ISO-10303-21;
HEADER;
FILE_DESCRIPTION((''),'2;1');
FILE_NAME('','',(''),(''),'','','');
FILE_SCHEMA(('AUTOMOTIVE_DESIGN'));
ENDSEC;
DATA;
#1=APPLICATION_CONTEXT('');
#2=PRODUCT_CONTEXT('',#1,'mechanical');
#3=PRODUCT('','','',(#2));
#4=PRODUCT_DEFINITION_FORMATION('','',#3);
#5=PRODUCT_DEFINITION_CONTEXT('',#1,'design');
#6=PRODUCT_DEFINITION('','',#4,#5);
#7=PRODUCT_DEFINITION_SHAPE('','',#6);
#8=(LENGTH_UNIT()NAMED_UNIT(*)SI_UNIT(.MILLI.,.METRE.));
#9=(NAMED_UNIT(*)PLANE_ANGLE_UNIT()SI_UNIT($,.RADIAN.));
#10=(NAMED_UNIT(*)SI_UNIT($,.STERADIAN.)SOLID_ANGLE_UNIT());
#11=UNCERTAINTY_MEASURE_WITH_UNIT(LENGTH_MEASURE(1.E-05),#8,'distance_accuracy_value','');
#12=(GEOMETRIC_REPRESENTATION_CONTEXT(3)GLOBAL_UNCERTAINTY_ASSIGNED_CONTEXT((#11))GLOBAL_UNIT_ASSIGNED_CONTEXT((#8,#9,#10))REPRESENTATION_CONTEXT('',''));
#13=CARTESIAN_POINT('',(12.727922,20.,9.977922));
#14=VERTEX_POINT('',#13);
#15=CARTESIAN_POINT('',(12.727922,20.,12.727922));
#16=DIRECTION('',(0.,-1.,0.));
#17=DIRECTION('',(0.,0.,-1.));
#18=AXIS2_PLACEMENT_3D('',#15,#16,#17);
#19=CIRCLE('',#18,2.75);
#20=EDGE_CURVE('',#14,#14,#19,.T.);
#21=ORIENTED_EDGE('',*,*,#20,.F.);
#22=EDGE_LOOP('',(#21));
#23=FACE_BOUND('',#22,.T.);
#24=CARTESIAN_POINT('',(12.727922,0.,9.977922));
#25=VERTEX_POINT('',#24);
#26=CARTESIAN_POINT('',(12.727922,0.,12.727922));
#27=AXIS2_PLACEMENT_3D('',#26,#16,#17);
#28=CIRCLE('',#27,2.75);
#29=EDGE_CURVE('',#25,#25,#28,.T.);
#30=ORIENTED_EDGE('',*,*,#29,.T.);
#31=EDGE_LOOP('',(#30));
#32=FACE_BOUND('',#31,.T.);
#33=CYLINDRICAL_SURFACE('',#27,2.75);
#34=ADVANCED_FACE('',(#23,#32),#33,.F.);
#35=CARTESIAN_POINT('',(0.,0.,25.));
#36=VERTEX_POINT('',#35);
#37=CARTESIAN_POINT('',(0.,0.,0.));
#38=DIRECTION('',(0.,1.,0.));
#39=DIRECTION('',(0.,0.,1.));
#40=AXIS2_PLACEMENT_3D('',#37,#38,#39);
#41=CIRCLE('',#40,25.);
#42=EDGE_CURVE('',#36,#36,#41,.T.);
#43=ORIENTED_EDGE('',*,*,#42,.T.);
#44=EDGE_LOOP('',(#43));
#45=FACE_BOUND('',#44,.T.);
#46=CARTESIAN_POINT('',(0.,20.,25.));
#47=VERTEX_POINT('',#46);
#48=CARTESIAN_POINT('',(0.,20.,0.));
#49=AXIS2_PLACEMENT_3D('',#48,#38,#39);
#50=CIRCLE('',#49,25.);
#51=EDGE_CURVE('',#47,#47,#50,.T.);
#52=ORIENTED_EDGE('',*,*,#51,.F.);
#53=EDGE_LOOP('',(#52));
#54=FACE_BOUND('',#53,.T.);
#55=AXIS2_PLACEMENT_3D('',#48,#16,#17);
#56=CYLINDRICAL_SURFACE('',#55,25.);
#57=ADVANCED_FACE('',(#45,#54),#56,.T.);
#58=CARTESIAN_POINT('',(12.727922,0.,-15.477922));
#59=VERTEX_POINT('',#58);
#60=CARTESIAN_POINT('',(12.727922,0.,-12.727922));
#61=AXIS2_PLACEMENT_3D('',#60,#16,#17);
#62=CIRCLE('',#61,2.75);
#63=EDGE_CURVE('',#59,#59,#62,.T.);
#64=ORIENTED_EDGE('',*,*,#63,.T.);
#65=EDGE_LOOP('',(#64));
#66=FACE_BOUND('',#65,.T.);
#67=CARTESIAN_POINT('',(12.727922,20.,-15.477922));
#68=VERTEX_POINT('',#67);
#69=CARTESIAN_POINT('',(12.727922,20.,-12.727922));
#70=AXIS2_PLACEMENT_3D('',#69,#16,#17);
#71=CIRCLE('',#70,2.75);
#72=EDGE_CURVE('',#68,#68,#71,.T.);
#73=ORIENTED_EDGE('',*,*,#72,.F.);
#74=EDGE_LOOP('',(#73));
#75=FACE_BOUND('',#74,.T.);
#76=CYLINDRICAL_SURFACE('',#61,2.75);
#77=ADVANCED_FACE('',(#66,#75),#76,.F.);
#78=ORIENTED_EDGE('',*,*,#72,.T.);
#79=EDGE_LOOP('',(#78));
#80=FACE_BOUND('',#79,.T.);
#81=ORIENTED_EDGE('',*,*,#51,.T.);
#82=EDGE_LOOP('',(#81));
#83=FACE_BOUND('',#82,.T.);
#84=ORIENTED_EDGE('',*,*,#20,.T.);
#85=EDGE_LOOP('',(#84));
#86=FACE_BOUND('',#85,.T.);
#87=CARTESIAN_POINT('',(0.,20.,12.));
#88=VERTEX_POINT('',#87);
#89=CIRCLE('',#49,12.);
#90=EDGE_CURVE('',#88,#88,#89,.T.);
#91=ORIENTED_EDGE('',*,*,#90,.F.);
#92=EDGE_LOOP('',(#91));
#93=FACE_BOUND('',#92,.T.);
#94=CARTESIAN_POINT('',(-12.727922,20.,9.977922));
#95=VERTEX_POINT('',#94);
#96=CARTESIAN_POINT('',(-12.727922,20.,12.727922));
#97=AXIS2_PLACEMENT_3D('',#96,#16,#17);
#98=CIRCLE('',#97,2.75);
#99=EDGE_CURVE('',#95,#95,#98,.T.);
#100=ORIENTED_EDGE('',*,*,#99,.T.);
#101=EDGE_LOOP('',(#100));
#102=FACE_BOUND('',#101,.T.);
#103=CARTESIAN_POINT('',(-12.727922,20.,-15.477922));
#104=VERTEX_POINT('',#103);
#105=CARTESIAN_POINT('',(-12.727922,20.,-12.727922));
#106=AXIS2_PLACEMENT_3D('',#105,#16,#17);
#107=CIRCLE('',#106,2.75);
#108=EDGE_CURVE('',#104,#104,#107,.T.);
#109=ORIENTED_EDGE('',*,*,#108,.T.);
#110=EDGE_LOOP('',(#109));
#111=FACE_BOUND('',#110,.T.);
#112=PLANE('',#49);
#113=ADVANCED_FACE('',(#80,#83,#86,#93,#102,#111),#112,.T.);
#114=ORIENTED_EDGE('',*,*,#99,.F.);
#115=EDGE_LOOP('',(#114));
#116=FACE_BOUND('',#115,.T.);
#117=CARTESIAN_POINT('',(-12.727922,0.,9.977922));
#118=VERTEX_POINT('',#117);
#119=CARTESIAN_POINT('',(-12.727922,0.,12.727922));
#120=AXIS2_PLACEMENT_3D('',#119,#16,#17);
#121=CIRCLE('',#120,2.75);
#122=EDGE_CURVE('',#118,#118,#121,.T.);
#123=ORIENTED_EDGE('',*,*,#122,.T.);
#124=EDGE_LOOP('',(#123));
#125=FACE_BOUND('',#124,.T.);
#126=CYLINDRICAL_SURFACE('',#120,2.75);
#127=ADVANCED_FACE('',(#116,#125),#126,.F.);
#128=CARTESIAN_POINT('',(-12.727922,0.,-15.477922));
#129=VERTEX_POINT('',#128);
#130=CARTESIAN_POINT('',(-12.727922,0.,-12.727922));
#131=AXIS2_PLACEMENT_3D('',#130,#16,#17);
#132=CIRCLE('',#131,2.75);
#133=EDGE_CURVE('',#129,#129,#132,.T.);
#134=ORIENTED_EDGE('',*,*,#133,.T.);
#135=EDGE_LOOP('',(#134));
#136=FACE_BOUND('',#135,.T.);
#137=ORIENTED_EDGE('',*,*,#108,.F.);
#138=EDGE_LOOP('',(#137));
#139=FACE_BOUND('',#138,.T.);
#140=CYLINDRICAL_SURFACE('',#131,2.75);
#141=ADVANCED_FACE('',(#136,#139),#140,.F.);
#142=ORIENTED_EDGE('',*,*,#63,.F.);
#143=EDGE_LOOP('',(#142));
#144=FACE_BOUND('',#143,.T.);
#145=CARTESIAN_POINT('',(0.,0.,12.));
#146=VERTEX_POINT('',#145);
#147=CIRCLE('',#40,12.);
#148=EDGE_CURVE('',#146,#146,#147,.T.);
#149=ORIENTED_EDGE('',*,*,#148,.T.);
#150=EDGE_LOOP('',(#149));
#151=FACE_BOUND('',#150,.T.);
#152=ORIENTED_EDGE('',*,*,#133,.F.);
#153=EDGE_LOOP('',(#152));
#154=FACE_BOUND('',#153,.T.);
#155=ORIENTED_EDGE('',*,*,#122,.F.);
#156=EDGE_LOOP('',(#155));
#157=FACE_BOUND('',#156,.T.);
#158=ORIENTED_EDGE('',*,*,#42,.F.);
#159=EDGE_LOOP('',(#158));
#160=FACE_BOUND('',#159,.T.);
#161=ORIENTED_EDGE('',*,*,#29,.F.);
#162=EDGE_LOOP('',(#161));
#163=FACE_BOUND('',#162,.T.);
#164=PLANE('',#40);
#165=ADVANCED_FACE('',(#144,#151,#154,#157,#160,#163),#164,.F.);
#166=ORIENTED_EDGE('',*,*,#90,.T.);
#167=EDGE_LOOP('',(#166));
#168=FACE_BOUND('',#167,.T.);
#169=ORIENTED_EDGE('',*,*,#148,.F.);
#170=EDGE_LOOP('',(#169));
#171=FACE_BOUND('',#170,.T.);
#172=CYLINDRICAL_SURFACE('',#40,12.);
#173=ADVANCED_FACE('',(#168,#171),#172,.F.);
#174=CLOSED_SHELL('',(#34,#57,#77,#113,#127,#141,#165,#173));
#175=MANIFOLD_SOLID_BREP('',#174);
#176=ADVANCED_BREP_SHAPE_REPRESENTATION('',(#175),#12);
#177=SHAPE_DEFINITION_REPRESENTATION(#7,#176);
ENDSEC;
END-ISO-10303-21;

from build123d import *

# Parameters (mm, degrees)
SKETCH_1_R          = 25
EXTRUDE_1_DEPTH     = 20
SKETCH_2_R          = 12
CUT_EXTRUDE_1_DEPTH = 41.620192023
HOLE_WIZARD_M5_1_D  = 5.5


with BuildPart() as part:
    # ｽｹｯﾁ1 → ﾎﾞｽ - 押し出し1 (new body)
    with BuildSketch(Plane(origin=(0, 0, 0), x_dir=(1, 0, 0), z_dir=(0, 1, 0))):
        with Locations(Location((0, 0, 0), (0, 0, 270))):
            Circle(SKETCH_1_R)
    extrude(amount=EXTRUDE_1_DEPTH)

    # ｽｹｯﾁ2 → ｶｯﾄ - 押し出し1 (cut, through all)
    with BuildSketch(Plane(origin=(0, 20, 0), x_dir=(1, 0, 0), z_dir=(0, 1, 0))):
        with Locations(Location((0, 0, 0), (0, 0, 270))):
            Circle(SKETCH_2_R)
    extrude(amount=-CUT_EXTRUDE_1_DEPTH, mode=Mode.SUBTRACT)

    # M5 すきま穴1 (through all)
    with Locations(Plane.XZ):
        with Locations((-12.727922061, 12.727922061), (12.727922061, -12.727922061), (-12.727922061, -12.727922061), (12.727922061, 12.727922061)):
            Hole(HOLE_WIZARD_M5_1_D / 2)


solid = part.part
